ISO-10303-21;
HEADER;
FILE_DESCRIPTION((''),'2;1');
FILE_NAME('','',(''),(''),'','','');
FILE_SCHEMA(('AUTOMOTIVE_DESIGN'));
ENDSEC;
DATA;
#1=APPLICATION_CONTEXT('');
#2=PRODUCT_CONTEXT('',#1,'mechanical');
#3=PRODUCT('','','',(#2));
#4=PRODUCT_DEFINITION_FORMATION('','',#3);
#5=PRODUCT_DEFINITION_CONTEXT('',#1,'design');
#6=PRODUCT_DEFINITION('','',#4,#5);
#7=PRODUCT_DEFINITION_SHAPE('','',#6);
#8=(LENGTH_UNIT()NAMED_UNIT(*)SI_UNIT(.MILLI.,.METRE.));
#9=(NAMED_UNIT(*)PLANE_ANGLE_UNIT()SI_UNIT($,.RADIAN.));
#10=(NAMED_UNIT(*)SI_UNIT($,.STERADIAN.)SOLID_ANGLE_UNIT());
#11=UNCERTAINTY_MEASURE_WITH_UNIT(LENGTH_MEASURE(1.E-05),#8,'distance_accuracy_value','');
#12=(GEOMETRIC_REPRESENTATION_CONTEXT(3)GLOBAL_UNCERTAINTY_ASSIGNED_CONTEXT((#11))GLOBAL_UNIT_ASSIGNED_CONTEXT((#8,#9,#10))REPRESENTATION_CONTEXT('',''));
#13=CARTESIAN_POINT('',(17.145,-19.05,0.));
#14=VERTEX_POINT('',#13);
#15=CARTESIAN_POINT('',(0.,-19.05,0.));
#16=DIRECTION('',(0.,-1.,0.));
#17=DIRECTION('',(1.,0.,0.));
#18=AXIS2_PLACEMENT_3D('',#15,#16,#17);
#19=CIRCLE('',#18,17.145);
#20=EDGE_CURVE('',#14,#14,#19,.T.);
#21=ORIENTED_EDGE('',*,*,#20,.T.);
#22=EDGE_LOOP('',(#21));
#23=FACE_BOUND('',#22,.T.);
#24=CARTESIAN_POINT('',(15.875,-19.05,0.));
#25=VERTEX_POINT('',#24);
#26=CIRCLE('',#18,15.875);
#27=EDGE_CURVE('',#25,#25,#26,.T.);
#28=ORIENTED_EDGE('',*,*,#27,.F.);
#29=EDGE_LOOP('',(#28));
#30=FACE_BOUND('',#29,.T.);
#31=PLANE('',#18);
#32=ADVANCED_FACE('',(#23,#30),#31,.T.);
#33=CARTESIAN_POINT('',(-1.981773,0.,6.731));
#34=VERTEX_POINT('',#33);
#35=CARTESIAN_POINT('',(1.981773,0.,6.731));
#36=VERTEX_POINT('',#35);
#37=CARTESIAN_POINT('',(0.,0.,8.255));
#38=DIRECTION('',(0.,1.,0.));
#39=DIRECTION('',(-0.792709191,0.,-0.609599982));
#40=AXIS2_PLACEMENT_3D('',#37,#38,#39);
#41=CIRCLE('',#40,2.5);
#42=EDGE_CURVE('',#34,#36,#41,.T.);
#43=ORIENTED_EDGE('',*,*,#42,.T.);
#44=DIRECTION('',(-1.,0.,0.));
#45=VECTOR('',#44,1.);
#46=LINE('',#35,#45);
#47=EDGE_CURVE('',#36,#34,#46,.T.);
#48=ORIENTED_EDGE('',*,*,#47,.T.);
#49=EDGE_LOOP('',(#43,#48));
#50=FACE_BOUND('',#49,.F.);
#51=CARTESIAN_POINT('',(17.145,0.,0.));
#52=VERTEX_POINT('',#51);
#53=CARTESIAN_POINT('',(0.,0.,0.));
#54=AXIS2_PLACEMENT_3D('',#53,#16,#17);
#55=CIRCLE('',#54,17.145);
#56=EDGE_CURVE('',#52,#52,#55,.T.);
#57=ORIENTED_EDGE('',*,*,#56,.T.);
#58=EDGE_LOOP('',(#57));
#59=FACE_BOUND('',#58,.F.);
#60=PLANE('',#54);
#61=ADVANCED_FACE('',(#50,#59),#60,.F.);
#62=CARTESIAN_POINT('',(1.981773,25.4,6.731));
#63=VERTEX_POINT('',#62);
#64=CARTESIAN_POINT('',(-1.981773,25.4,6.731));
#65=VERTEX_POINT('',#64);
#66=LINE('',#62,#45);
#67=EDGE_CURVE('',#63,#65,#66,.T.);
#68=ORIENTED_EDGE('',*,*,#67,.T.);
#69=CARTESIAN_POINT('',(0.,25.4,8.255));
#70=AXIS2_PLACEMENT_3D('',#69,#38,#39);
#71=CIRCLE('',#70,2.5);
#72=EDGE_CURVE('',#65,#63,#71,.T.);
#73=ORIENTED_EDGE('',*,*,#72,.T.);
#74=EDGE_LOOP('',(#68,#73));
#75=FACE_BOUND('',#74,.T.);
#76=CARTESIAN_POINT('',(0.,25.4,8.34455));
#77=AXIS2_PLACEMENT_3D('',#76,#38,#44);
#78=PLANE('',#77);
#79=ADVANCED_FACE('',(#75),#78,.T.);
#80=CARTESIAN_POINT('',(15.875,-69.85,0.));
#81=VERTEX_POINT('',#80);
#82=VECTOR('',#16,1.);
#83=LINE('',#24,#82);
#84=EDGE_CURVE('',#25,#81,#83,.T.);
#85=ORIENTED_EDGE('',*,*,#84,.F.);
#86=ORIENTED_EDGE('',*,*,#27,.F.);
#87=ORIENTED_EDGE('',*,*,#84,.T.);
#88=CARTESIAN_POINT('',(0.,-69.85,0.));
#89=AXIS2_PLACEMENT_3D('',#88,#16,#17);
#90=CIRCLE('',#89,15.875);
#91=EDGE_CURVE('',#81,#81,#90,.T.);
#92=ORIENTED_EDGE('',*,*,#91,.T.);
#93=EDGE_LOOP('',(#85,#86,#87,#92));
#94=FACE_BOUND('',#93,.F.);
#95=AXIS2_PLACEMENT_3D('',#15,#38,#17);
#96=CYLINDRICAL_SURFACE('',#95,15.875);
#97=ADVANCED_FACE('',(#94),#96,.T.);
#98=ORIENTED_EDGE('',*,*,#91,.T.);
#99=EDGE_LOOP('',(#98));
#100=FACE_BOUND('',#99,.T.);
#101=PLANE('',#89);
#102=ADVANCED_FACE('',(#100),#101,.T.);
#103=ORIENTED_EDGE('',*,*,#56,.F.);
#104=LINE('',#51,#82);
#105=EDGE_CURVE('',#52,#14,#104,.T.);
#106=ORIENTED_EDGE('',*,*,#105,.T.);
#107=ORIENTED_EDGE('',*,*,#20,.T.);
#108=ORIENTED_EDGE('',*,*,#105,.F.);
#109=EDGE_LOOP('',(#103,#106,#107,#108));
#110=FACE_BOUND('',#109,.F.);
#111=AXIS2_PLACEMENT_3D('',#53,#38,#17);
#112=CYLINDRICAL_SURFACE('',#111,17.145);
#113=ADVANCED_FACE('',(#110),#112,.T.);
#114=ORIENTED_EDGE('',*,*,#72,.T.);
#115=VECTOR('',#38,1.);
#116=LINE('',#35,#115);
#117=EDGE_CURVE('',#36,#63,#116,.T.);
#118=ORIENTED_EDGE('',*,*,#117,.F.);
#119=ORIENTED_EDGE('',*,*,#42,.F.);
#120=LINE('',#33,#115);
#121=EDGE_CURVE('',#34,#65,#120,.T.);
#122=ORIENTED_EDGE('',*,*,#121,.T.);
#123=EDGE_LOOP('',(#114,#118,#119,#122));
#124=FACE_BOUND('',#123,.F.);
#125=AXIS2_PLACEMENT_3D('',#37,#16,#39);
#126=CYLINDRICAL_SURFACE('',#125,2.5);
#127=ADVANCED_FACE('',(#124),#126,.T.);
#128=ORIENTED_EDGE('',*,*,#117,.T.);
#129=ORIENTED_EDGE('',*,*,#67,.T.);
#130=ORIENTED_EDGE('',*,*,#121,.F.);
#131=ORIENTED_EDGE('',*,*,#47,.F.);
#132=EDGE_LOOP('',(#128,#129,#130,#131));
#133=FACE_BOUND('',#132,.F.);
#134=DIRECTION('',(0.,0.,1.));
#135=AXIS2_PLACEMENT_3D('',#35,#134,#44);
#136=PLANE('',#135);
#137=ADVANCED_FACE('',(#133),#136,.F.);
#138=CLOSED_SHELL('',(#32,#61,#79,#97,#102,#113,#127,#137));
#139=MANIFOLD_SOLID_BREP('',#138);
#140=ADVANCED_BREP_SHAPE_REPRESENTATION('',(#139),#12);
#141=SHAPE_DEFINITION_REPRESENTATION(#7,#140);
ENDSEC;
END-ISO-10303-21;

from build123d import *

# Parameters (mm, degrees)
F0_R     = 17.145
F1_DEPTH = 19.05
F3_DEPTH = 25.4
F4_R     = 15.875
F5_DEPTH = 50.8


with BuildPart() as f1:
    # F0 (on Front) → F1 (new body)
    with BuildSketch(Plane.XZ):
        Circle(F0_R)
    extrude(amount=F1_DEPTH)

    # F2 (on face) → F3 (join)
    with BuildSketch(Plane(origin=(0, 0, 0), x_dir=(-1, 0, 0), z_dir=(0, 1, 0))):
        with BuildLine():
            Line((-1.981773, 6.731), (1.981773, 6.731))
            ThreePointArc((1.981773, 6.731), (0, 10.755), (-1.981773, 6.731))
        make_face()
    extrude(amount=F3_DEPTH)

    # F4 (on face) → F5 (join)
    with BuildSketch(Plane.XZ.offset(19.05)):
        Circle(F4_R)
    extrude(amount=F5_DEPTH)


solid = f1.part
